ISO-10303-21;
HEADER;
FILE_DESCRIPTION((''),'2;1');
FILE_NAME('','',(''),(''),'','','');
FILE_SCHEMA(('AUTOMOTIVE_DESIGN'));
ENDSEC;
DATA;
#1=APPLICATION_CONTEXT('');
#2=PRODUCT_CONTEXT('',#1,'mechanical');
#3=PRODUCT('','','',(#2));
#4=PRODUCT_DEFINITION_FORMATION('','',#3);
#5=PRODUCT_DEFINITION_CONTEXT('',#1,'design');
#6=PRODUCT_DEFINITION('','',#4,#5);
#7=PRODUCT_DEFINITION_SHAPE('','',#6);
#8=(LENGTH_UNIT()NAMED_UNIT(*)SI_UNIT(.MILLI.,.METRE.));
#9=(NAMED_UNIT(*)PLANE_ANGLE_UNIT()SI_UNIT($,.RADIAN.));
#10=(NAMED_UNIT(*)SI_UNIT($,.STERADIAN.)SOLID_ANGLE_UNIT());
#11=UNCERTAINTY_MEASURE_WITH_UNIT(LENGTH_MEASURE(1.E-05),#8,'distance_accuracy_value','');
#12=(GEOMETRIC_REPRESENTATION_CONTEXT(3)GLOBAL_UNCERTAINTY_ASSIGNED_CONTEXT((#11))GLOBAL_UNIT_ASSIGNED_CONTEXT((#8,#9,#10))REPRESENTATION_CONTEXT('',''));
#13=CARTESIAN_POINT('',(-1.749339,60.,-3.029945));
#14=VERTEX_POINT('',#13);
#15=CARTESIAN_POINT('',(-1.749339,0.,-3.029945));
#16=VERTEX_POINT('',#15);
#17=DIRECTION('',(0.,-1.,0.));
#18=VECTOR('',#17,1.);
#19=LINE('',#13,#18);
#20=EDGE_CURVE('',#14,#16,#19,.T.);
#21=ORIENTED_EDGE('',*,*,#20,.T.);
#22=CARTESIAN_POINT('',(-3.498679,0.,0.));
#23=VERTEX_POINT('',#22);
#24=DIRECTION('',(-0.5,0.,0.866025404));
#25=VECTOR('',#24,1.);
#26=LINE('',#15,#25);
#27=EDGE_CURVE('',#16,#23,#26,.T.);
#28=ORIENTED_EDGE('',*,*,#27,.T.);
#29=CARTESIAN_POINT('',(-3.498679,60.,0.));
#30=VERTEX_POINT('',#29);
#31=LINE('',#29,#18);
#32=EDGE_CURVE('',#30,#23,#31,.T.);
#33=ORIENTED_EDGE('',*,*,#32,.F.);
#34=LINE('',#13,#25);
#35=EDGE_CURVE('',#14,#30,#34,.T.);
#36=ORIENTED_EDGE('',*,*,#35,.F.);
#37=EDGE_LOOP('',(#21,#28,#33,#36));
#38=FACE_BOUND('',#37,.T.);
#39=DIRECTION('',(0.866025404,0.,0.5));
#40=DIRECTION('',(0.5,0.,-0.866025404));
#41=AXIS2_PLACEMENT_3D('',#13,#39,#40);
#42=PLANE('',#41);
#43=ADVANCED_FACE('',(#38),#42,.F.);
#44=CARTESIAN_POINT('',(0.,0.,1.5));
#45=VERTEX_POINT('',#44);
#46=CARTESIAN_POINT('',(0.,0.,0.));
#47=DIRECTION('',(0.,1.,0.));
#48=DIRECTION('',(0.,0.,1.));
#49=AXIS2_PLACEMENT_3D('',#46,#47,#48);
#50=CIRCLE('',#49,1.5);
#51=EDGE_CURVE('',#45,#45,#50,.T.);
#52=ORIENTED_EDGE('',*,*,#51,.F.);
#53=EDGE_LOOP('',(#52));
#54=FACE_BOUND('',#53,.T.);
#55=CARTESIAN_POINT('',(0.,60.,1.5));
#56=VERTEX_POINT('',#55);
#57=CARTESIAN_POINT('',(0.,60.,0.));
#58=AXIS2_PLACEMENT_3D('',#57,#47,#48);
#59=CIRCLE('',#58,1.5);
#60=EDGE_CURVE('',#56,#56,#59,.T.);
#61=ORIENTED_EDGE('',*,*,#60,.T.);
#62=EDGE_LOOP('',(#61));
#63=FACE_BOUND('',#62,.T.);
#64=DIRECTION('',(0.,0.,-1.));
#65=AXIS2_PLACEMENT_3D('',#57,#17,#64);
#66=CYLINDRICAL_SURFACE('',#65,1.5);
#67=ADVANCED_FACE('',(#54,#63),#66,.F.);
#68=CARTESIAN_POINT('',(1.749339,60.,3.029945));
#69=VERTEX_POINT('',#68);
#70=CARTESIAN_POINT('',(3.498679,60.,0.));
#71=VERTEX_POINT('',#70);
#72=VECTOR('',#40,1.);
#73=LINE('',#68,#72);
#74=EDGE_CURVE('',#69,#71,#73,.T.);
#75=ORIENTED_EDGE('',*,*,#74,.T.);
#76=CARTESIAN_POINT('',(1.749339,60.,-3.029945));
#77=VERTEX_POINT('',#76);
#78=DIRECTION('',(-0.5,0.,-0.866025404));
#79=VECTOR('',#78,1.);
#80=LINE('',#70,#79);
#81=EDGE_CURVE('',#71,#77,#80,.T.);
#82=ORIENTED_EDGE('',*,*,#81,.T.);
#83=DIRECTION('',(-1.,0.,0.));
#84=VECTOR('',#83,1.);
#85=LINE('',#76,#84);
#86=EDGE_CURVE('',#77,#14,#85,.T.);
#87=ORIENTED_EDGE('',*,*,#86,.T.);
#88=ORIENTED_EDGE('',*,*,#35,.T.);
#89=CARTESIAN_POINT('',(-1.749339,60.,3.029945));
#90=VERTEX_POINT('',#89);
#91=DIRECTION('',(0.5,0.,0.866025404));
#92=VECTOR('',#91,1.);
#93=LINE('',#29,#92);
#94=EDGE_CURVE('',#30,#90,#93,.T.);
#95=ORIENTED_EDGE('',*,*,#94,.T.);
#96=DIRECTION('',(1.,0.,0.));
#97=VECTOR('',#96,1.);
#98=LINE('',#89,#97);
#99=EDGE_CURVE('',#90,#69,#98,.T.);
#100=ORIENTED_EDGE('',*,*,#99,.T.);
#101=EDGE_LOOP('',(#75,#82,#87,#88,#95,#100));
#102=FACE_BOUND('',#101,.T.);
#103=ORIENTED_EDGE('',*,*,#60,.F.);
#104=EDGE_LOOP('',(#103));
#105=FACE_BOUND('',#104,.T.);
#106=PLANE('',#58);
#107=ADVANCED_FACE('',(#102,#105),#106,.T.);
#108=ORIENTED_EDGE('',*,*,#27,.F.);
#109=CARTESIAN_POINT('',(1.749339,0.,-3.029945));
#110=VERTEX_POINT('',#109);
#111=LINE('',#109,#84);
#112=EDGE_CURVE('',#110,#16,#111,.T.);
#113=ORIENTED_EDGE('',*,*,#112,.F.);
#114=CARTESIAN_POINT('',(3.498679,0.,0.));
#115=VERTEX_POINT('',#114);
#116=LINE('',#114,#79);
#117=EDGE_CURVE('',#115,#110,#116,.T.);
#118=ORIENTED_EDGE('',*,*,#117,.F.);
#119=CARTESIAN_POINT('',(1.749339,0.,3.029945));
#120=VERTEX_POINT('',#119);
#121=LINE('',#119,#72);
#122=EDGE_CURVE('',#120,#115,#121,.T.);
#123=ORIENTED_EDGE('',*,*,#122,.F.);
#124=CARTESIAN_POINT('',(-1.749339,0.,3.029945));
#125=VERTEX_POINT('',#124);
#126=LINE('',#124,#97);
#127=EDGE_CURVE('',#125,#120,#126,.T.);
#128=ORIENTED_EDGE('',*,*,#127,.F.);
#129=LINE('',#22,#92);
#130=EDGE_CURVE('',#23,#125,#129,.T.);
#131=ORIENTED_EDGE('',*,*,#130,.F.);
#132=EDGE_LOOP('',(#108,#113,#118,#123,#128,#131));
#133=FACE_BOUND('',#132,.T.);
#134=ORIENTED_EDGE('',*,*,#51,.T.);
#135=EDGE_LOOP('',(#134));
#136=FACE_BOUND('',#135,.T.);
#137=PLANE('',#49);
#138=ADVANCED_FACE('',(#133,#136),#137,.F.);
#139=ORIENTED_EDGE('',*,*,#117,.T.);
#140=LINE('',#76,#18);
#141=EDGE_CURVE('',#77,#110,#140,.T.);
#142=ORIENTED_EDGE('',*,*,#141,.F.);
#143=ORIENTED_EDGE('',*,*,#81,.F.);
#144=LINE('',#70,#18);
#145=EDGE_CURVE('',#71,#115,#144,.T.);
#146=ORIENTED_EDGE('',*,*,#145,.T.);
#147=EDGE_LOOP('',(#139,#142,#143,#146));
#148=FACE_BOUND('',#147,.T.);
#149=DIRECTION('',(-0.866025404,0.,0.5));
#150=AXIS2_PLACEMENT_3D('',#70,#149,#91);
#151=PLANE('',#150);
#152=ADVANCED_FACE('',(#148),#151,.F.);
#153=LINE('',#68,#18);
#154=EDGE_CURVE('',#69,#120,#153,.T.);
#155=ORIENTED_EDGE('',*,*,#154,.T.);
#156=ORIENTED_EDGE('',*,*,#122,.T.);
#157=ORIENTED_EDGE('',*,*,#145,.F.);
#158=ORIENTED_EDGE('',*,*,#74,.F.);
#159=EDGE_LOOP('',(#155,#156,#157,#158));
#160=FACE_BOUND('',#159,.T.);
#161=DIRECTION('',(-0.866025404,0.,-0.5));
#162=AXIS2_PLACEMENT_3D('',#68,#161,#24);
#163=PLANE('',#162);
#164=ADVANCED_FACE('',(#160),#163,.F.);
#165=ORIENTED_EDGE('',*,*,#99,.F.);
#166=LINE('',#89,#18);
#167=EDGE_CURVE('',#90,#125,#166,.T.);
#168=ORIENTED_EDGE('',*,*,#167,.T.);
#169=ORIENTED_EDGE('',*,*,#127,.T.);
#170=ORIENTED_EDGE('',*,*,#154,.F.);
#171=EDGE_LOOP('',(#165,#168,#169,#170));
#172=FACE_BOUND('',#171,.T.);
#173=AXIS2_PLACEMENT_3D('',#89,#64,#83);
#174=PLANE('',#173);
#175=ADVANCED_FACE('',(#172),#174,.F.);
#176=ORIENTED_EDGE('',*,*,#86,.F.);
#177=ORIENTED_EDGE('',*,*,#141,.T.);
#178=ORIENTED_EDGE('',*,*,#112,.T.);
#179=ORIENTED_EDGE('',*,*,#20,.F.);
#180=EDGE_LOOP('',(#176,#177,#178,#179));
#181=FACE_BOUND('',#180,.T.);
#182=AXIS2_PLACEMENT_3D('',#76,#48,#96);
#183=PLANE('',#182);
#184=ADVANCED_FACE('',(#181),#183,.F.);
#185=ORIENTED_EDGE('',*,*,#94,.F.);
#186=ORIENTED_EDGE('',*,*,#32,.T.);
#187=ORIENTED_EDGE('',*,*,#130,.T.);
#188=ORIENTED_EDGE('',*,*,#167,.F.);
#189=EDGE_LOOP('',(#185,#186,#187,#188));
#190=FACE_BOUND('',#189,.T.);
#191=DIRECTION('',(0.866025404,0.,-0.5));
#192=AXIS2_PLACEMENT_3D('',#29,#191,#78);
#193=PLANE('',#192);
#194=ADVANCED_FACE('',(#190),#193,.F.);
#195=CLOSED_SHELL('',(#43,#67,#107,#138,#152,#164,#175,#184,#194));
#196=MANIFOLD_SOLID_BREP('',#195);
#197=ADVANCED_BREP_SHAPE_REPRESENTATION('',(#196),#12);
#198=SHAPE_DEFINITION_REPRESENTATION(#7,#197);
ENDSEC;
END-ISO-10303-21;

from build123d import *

# Parameters (mm, degrees)
SKETCH1_R           = 1.5
BOSS_EXTRUDE1_DEPTH = 60


with BuildPart() as part:
    # Sketch1 → Boss-Extrude1 (new body)
    with BuildSketch(Plane(origin=(0, 0, 0), x_dir=(1, 0, 0), z_dir=(0, 1, 0))):
        Polygon((-3.498678555, 0), (-1.749339277, -3.029944508), (1.749339277, -3.029944508), (3.498678555, 0), (1.749339277, 3.029944508), (-1.749339277, 3.029944508), align=None)
        with Locations(Location((0, 0, 0), (0, 0, 270))):
            Circle(SKETCH1_R, mode=Mode.SUBTRACT)
    extrude(amount=BOSS_EXTRUDE1_DEPTH)


solid = part.part
